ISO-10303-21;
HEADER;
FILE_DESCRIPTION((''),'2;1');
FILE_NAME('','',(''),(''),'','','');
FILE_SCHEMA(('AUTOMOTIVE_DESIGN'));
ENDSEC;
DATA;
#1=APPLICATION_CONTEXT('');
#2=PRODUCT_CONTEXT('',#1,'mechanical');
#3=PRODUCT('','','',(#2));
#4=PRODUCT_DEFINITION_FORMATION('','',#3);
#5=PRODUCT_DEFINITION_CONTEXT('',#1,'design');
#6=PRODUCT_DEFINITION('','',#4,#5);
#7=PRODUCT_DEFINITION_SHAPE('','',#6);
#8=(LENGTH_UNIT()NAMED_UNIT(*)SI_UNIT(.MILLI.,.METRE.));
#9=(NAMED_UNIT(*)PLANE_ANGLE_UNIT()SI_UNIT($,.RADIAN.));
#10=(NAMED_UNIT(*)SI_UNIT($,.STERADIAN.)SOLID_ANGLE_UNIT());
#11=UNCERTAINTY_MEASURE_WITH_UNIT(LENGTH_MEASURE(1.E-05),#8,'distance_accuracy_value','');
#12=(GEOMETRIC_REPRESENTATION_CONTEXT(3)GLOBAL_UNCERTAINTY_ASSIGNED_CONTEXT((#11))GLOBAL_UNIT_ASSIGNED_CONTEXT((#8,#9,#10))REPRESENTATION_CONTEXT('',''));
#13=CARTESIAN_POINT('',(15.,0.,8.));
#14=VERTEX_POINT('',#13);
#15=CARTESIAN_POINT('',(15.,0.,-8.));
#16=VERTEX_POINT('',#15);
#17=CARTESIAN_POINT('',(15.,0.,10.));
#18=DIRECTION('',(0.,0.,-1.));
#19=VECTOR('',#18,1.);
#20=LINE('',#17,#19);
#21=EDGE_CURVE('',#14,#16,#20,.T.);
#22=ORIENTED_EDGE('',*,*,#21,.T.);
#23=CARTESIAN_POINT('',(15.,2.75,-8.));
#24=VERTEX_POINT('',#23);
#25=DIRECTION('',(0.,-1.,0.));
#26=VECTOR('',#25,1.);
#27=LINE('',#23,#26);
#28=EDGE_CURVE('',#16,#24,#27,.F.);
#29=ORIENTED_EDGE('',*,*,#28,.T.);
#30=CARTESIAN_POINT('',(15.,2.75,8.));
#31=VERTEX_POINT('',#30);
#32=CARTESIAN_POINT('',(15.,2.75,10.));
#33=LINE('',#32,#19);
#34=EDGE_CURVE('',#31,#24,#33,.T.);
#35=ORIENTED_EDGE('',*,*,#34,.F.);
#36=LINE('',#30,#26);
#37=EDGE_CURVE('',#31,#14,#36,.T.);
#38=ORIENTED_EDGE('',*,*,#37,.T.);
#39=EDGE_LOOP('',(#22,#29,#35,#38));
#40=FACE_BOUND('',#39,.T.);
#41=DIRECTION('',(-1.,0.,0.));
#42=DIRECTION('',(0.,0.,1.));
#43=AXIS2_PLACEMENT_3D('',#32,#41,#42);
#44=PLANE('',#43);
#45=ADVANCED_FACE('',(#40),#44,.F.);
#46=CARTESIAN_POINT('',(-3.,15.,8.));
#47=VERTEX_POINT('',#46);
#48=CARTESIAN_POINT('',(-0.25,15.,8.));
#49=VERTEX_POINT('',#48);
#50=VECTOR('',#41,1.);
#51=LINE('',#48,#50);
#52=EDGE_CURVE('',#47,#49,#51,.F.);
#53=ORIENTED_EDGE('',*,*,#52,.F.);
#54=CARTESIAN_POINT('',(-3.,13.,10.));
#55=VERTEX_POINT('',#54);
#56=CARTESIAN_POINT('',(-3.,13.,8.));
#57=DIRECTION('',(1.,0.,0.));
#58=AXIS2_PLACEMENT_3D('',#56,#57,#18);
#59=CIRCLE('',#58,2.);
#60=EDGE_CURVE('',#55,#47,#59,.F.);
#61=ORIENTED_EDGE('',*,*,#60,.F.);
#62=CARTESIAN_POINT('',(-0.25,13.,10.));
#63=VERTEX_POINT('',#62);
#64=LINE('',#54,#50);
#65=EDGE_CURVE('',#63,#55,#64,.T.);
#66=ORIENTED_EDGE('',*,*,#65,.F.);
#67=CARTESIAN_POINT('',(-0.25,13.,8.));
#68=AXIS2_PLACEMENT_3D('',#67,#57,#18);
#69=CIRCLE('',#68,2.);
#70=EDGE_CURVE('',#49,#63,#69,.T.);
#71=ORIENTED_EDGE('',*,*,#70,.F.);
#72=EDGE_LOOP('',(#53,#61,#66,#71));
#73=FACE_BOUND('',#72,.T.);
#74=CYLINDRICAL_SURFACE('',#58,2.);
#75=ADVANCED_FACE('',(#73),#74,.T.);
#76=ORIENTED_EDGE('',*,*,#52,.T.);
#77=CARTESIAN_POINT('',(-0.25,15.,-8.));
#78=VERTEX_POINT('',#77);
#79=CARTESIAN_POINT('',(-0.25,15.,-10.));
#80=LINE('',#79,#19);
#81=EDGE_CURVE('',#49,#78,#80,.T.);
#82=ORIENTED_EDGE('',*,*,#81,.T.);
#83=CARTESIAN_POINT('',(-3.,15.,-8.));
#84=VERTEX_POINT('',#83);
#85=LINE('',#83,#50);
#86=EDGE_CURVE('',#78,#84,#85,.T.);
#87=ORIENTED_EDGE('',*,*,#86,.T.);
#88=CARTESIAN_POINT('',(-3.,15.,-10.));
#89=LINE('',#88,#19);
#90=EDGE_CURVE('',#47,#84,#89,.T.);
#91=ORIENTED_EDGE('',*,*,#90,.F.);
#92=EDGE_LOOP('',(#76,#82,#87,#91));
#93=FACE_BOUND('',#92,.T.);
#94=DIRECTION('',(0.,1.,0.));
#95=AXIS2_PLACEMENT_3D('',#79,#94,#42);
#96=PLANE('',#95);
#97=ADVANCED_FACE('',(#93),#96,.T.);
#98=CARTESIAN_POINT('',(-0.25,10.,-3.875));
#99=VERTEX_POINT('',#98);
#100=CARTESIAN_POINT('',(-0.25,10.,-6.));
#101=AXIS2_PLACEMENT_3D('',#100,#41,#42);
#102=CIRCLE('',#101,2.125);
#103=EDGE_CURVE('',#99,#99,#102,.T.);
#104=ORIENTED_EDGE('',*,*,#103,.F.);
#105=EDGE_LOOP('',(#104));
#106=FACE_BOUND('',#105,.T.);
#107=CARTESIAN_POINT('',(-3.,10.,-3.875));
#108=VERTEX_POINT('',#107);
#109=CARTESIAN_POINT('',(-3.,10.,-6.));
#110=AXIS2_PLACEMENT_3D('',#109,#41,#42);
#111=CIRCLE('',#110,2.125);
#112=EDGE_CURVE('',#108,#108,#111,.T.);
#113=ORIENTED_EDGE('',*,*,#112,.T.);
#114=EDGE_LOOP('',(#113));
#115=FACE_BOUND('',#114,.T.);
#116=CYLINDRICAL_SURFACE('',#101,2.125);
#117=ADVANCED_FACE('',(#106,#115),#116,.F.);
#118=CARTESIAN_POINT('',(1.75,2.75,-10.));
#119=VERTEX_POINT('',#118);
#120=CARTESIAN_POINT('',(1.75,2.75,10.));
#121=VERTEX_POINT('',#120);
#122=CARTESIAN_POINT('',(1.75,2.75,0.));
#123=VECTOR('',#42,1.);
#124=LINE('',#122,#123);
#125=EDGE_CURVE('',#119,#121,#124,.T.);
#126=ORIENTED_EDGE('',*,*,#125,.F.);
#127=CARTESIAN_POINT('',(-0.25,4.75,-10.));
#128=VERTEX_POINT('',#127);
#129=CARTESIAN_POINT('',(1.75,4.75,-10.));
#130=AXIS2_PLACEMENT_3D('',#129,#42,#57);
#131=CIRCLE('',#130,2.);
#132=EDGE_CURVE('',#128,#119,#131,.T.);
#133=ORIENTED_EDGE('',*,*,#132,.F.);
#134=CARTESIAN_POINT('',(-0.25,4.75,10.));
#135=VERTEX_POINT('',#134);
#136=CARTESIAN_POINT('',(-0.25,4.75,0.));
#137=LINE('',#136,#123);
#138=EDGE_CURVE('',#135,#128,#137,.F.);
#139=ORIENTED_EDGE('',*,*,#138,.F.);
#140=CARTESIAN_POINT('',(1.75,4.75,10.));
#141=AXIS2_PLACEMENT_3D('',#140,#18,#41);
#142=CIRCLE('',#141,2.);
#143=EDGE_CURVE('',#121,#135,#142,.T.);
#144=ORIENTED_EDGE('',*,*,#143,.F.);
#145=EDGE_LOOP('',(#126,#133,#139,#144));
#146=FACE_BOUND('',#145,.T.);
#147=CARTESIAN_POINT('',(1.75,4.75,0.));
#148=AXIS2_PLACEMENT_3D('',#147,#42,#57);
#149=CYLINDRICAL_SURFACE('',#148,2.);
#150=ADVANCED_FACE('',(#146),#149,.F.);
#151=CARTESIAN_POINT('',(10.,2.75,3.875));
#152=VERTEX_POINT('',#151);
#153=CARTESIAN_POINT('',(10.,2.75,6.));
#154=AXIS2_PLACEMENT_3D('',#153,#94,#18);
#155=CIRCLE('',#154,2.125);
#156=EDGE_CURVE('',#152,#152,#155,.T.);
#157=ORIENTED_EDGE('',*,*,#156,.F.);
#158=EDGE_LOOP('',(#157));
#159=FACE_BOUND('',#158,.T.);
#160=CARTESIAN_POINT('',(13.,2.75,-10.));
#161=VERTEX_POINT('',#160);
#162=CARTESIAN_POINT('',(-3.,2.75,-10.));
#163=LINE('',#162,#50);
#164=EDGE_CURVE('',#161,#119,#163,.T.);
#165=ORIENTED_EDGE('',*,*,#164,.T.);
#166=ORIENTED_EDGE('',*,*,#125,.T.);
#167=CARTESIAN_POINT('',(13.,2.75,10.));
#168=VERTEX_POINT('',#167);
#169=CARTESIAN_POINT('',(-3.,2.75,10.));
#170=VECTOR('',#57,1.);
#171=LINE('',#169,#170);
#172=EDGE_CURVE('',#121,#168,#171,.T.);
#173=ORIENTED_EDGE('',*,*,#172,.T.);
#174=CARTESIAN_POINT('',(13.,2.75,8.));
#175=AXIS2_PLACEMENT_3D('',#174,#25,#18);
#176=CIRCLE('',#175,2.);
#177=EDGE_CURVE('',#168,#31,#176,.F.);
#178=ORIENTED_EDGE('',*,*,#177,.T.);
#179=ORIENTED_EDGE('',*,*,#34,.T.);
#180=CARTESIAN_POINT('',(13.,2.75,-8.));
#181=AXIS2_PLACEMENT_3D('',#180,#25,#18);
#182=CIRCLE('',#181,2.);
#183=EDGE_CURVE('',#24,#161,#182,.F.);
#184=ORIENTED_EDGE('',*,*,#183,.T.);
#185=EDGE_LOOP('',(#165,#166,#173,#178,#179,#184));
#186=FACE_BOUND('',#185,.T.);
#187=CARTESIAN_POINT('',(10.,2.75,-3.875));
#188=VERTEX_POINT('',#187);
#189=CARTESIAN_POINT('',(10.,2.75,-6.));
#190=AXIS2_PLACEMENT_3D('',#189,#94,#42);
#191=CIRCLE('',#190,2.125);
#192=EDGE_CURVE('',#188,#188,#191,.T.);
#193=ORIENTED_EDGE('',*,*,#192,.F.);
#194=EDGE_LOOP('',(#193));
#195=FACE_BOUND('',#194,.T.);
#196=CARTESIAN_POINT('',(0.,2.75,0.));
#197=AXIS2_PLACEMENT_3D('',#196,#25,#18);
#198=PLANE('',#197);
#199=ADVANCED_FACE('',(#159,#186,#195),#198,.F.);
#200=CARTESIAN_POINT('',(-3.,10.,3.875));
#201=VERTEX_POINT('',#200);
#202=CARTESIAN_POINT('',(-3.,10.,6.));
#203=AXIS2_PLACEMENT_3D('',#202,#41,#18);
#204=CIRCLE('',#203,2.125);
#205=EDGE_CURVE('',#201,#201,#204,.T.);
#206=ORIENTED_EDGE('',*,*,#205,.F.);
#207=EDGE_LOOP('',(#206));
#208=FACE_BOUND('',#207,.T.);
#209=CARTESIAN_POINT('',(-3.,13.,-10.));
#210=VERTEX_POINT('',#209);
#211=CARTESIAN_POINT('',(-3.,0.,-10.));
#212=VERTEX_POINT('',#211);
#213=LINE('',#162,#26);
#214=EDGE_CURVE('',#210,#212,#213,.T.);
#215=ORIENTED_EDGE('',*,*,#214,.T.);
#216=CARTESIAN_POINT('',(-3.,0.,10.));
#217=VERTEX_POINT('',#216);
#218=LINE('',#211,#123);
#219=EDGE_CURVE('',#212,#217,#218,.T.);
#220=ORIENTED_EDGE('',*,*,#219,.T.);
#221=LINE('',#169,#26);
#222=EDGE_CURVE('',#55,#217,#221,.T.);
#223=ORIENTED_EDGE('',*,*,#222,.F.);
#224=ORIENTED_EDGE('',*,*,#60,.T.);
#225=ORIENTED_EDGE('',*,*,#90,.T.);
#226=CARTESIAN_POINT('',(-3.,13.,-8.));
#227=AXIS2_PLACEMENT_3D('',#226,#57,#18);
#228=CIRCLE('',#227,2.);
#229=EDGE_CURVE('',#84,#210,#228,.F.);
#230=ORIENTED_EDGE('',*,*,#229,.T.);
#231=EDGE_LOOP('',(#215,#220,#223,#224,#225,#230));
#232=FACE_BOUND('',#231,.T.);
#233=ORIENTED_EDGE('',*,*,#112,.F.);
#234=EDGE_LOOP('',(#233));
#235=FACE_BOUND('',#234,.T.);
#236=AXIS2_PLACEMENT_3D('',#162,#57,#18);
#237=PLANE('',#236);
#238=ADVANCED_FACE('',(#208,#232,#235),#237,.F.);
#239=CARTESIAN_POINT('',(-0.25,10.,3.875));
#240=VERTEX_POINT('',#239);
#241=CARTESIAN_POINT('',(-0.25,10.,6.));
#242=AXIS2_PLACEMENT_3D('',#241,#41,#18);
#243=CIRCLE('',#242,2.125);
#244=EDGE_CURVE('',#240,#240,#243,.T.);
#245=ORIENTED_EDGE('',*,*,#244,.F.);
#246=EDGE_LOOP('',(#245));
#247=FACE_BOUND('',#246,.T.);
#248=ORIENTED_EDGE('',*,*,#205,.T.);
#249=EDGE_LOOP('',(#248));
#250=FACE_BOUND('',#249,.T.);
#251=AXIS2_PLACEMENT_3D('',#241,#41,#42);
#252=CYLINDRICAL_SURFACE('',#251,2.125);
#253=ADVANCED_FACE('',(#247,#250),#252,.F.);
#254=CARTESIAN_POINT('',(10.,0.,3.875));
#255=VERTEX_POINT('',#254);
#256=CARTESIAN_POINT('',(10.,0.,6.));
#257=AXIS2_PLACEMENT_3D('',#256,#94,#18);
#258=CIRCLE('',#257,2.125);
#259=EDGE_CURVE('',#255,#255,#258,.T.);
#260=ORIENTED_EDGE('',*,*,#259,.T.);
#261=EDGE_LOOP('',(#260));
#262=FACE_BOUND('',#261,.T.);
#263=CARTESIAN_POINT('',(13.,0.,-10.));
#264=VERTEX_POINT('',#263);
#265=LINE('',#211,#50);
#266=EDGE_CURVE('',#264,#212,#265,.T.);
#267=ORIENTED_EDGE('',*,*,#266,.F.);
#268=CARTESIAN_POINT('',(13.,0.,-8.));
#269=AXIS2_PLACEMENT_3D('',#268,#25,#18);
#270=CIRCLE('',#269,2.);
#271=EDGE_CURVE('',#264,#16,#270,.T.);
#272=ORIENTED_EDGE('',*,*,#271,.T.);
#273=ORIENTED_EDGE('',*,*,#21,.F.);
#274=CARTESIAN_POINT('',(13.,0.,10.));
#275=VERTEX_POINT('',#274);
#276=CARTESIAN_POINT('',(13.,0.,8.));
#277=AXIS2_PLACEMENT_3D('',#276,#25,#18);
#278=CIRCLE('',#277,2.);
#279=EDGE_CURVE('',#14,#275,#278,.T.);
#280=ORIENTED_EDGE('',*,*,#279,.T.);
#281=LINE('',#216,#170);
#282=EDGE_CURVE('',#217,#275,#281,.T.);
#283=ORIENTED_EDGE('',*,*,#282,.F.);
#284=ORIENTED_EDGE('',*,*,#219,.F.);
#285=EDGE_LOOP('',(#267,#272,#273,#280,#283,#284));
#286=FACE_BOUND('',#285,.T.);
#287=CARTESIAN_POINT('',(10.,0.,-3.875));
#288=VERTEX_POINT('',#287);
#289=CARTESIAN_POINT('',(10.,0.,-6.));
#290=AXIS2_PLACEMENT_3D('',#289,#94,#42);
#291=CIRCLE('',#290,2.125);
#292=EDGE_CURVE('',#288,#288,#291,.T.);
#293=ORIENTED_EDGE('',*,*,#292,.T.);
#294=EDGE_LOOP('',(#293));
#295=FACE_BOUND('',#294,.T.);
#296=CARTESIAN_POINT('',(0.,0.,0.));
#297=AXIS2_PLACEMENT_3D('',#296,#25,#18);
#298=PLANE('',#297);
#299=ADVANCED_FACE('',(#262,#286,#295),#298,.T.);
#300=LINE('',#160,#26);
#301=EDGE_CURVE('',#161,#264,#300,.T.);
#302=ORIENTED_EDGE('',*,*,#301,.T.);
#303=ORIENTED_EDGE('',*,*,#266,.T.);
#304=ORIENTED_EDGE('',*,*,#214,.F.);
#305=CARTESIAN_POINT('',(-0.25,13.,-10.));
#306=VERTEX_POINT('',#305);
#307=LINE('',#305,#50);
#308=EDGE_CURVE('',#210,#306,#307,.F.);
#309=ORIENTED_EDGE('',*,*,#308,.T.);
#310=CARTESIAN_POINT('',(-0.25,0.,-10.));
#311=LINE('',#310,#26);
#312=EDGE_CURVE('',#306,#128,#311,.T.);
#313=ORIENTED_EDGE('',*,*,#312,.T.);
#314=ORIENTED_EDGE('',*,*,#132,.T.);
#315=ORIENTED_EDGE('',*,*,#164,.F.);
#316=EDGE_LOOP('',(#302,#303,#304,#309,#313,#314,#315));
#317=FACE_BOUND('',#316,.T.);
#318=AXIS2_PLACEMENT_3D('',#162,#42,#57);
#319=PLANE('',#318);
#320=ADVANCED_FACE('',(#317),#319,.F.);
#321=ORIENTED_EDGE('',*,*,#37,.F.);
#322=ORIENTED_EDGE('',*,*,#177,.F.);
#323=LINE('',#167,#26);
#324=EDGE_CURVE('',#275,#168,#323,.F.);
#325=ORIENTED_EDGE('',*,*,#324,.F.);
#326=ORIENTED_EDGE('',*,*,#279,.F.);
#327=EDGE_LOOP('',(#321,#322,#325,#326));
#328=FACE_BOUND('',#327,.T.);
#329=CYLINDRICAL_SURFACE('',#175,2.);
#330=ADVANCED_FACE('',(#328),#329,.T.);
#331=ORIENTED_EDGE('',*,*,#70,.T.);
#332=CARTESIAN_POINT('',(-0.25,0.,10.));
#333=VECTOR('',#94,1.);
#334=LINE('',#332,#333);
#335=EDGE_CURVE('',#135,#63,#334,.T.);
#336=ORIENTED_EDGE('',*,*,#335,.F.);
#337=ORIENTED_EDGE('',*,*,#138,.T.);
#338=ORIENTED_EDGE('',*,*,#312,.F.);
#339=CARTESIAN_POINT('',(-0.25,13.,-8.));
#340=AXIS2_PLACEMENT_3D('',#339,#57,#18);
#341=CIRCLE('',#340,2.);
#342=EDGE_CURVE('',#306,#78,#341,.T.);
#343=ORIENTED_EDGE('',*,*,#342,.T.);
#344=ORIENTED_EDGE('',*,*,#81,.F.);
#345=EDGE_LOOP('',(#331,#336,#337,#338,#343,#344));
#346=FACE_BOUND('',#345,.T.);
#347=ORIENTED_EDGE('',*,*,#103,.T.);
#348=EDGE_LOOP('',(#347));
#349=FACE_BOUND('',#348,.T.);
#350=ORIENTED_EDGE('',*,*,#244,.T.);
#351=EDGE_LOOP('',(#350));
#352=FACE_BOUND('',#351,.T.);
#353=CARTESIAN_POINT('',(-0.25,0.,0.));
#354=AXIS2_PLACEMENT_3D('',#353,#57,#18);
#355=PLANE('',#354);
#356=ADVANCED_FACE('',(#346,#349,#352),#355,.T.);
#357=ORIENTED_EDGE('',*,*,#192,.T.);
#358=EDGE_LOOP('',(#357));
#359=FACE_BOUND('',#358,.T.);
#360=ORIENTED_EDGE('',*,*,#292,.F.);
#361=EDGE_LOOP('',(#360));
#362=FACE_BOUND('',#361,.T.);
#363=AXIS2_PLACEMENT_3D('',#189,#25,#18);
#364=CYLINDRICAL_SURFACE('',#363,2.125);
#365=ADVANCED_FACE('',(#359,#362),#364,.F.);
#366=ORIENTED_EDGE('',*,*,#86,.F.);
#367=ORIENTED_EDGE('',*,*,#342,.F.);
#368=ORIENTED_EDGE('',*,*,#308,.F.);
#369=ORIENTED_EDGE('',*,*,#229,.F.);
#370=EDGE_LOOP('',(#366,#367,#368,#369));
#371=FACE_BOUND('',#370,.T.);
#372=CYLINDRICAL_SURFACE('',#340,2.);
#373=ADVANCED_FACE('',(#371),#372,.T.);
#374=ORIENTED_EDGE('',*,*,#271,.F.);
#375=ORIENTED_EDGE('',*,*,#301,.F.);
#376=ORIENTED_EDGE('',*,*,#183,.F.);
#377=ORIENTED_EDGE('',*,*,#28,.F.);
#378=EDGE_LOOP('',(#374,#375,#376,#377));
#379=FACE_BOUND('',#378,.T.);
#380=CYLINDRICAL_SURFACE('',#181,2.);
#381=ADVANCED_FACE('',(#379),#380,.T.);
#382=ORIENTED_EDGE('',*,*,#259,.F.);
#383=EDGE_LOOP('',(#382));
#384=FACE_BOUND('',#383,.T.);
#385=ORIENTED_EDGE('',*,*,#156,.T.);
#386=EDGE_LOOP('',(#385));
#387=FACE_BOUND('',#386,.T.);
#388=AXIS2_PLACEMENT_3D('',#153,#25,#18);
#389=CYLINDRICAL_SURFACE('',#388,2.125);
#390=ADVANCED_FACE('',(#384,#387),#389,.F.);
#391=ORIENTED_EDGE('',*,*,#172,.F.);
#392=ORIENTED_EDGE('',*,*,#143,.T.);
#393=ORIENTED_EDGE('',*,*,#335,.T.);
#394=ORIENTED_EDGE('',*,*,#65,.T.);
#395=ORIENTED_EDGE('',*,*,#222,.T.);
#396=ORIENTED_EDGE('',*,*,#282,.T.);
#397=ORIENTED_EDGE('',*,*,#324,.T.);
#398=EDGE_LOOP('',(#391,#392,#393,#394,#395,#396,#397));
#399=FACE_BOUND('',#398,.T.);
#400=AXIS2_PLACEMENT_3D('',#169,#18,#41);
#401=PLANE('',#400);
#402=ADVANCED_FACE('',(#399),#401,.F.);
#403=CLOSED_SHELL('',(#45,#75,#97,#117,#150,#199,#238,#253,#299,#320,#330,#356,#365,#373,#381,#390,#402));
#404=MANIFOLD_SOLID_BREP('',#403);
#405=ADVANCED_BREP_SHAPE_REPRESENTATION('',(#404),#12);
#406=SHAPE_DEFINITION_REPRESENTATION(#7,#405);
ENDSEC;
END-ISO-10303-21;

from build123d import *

# Parameters (mm, degrees)
SKETCH3_W           = 18
SKETCH3_H           = 20
SKETCH3_R           = 2.125
BOSS_EXTRUDE3_DEPTH = 2.75
SKETCH5_W           = 20
SKETCH5_H           = 15
SKETCH5_R           = 2.125
BOSS_EXTRUDE5_DEPTH = 2.75
FILLET4_R           = 2


with BuildPart() as part:
    # Sketch3 → Boss-Extrude3 (new body)
    with BuildSketch(Plane(origin=(0, 0, 0), x_dir=(1, 0, 0), z_dir=(0, 1, 0))):
        with Locations((6, 0)):
            Rectangle(SKETCH3_W, SKETCH3_H)
        with Locations(Location((10, 6, 0), (0, 0, 270))):
            Circle(SKETCH3_R, mode=Mode.SUBTRACT)
        with Locations(Location((10, -6, 0), (0, 0, 90))):
            Circle(SKETCH3_R, mode=Mode.SUBTRACT)
    extrude(amount=BOSS_EXTRUDE3_DEPTH)

    # Sketch5 → Boss-Extrude5 (add)
    with BuildSketch(Plane.ZY.offset(3)):
        with Locations((0, 7.5)):
            Rectangle(SKETCH5_W, SKETCH5_H)
        with Locations((-6, 10)):
            Circle(SKETCH5_R, mode=Mode.SUBTRACT)
        with Locations(Location((6, 10, 0), (0, 0, 180))):
            Circle(SKETCH5_R, mode=Mode.SUBTRACT)
    extrude(amount=-BOSS_EXTRUDE5_DEPTH)

    # Fillet4
    fillet4_edges = [part.edges().sort_by_distance(p)[0] for p in [
        (-1.625, 15, 10),
        (-1.625, 15, -10),
        (-0.25, 2.75, 0),
        (15, 1.375, 10),
        (15, 1.375, -10),
    ]]
    fillet(fillet4_edges, radius=FILLET4_R)


solid = part.part
